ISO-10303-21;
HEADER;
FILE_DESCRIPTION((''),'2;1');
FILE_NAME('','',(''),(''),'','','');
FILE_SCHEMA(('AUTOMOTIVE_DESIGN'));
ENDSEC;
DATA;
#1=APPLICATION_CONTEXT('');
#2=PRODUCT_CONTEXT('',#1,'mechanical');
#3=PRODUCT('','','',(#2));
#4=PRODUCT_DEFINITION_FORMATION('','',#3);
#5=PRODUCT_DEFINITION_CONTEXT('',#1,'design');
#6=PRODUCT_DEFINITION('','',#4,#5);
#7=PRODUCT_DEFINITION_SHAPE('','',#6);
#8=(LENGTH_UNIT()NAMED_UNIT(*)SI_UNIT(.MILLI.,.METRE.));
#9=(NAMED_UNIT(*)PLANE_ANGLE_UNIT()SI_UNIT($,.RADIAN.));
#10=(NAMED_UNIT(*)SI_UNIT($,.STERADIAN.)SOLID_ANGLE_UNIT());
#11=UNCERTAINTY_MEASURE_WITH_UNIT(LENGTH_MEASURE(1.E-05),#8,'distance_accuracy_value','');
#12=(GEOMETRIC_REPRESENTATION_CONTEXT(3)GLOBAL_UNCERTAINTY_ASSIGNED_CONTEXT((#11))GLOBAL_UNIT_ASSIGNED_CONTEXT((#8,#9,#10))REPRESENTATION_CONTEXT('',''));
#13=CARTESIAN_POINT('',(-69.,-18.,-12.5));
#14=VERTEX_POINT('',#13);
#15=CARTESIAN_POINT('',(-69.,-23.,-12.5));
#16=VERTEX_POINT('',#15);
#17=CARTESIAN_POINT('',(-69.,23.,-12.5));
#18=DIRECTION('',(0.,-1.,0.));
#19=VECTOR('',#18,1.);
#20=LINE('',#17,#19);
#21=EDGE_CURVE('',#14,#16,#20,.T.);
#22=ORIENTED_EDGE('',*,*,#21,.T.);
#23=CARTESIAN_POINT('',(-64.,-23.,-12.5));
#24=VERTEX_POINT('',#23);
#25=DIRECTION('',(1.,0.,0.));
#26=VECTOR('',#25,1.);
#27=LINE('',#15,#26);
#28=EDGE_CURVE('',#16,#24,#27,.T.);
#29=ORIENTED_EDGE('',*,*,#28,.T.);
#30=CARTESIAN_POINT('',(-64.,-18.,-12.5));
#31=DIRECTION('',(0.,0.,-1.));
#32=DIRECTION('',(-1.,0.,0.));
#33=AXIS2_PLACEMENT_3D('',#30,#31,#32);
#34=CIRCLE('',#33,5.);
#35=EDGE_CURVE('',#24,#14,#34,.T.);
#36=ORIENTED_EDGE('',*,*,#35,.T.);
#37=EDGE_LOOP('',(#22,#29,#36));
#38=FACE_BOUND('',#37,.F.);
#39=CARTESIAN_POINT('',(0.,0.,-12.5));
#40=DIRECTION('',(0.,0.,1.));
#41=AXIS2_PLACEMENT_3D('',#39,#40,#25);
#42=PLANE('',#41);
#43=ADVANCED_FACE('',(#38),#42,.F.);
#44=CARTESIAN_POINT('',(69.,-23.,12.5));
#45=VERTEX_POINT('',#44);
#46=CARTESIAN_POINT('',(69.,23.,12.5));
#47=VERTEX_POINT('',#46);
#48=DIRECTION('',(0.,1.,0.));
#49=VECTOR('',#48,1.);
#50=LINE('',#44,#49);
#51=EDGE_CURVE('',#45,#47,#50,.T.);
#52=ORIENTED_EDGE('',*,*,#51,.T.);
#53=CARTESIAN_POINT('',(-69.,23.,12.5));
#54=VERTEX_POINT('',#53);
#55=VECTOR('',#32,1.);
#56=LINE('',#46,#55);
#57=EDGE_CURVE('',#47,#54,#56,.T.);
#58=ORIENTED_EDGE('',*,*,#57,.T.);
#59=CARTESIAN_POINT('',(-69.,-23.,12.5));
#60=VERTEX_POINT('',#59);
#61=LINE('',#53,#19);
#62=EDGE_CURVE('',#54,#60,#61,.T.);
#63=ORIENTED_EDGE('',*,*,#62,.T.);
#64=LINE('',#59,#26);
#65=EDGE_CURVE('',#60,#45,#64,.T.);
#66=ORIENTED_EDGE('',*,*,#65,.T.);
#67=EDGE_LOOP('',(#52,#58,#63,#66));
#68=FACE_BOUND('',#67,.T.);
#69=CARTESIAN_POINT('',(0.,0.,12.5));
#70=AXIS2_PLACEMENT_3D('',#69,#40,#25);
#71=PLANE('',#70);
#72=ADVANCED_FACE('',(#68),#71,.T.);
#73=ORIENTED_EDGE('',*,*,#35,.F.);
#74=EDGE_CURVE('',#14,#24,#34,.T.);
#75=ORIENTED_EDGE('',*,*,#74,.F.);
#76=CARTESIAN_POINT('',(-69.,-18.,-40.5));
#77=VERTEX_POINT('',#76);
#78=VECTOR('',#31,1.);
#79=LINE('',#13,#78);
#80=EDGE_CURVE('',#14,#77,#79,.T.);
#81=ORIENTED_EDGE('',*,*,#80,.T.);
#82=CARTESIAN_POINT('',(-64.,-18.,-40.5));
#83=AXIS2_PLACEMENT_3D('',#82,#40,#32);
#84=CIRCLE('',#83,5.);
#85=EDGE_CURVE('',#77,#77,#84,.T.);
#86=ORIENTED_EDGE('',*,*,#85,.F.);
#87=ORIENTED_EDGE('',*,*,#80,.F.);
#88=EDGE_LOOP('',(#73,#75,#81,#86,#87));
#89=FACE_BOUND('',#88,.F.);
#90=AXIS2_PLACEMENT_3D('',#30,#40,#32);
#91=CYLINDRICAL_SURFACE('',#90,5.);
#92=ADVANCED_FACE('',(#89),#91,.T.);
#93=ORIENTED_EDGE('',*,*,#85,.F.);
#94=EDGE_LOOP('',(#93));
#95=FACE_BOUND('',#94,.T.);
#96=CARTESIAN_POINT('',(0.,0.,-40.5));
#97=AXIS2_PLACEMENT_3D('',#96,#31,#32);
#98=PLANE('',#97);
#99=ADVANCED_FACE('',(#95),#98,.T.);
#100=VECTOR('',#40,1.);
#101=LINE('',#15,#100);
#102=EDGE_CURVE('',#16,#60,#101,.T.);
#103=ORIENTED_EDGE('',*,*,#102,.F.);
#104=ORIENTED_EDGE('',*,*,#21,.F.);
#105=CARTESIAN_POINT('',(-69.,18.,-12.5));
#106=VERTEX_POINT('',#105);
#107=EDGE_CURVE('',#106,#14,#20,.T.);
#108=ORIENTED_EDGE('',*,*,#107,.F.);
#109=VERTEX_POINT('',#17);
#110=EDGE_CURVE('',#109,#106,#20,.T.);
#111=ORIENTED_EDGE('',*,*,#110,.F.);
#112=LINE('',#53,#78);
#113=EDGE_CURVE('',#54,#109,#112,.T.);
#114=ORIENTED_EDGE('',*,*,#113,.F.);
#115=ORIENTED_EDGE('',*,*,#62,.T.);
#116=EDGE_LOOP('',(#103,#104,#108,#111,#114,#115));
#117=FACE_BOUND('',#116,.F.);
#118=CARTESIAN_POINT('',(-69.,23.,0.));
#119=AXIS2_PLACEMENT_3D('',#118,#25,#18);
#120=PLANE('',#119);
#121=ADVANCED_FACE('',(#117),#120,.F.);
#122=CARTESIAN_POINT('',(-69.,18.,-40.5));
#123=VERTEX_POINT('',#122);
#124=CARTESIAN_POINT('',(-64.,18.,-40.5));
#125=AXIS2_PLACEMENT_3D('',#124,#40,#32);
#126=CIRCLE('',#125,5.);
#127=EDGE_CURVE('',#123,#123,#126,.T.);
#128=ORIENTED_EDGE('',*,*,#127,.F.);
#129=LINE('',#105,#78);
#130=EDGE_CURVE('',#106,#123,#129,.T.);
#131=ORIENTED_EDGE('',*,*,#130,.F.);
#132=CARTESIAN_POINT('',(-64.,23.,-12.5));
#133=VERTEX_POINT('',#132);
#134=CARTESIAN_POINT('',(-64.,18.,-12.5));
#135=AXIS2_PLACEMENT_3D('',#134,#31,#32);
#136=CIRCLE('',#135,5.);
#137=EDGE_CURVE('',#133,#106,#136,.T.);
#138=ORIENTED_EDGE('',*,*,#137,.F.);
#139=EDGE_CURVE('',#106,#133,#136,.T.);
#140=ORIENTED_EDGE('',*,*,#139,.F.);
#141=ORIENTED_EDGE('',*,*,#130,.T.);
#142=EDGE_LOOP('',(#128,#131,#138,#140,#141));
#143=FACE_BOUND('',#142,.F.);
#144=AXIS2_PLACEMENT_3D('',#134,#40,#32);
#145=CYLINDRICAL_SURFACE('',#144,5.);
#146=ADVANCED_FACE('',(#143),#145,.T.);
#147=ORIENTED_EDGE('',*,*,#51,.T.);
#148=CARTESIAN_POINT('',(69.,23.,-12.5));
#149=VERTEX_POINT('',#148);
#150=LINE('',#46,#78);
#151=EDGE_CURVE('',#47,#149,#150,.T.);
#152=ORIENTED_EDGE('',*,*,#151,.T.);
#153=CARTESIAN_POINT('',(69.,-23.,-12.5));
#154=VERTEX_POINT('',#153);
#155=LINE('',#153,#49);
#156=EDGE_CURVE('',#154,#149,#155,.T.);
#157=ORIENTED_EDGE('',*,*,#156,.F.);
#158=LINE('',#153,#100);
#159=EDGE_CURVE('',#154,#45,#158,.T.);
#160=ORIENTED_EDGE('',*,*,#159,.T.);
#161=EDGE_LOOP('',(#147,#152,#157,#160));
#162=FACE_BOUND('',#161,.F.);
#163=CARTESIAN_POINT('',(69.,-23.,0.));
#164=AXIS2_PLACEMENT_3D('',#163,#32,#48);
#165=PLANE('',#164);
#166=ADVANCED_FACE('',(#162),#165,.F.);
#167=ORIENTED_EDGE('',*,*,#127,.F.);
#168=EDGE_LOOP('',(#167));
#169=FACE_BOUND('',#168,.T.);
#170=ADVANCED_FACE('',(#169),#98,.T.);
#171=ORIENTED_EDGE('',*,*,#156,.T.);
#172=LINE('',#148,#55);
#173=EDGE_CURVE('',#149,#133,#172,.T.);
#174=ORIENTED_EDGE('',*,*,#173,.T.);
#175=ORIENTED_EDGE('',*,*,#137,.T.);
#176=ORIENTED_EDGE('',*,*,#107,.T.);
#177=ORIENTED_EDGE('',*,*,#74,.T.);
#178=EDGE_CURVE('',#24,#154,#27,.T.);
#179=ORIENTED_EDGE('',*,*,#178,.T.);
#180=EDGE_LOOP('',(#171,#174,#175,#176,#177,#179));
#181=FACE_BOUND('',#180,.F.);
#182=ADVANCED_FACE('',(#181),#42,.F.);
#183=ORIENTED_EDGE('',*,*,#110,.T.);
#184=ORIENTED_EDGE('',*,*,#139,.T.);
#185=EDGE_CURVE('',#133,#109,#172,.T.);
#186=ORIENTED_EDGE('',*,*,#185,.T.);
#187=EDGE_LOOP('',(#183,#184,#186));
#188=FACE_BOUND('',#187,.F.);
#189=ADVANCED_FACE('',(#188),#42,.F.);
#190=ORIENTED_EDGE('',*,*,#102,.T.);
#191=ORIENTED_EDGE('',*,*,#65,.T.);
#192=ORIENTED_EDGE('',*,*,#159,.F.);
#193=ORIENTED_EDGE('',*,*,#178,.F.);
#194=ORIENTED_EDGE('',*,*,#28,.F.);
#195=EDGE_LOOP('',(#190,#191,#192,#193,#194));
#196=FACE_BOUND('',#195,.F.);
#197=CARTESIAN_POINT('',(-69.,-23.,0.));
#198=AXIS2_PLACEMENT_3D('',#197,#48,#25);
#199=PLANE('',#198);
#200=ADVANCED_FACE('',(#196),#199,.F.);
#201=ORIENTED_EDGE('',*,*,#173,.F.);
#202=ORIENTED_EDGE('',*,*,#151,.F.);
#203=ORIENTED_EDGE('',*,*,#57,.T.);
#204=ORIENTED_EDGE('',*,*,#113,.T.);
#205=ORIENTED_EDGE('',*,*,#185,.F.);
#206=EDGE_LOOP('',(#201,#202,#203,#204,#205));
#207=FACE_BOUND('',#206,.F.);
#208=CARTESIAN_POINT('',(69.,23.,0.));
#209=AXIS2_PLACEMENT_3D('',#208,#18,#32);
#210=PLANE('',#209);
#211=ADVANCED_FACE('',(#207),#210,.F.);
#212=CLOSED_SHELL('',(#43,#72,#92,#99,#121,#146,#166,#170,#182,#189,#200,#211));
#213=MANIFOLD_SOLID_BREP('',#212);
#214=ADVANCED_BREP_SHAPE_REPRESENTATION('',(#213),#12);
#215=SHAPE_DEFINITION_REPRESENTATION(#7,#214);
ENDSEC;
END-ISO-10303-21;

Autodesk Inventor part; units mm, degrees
ref_plane "YZ Plane" through (0, 0, 0) normal (1, 0, 0) x (0, 1, 0)
ref_plane "XZ Plane" through (0, 0, 0) normal (0, 1, 0) x (-1, 0, 0)
ref_plane "XY Plane" through (0, 0, 0) normal (0, 0, 1) x (1, 0, 0)
sketch "Szkic1" plane through (0, 0, 0) normal (0, 0, 1) x (1, 0, 0)
  line L0 (-69, -23) -> (69, -23)
  line L1 (69, -23) -> (69, 23)
  line L2 (69, 23) -> (-69, 23)
  line L3 (-69, 23) -> (-69, -23)
  line L4 (-69, -23) -> (69, 23) construction
  line L5 (69, -23) -> (-69, 23) construction
  point P0 (0, 0)
  dimension "d0" = 138
  dimension "d1" = 46
extrude "Wyciągnięcie proste1" add sketch "Szkic1" along normal mid plane 25
sketch "Szkic2" plane through (0, 0, -12.5) normal (0, 0, -1) x (-1, 0, 0)
  line L0 (-69, -23) -> (69, -23) projected
  line L1 (69, -23) -> (69, 23) projected
  line L2 (69, 23) -> (-69, 23) projected
  line L3 (-69, 23) -> (-69, -23) projected
  circle A0 centre (64, -18) radius 5
  circle A1 centre (64, 18) radius 5
  line L4 (-69, -23) -> (69, -23) projected
  line L5 (69, -23) -> (69, 23) projected
  line L6 (69, 23) -> (-69, 23) projected
  point P0 (0, 0)
  dimension "d4" = 10
  dimension "d5" = 10
extrude "Wyciągnięcie proste2" add sketch "Szkic2" along normal blind 28 contours A0 | A1
equation "\"d5\" = d4"
properties part number "lipol_6000"
